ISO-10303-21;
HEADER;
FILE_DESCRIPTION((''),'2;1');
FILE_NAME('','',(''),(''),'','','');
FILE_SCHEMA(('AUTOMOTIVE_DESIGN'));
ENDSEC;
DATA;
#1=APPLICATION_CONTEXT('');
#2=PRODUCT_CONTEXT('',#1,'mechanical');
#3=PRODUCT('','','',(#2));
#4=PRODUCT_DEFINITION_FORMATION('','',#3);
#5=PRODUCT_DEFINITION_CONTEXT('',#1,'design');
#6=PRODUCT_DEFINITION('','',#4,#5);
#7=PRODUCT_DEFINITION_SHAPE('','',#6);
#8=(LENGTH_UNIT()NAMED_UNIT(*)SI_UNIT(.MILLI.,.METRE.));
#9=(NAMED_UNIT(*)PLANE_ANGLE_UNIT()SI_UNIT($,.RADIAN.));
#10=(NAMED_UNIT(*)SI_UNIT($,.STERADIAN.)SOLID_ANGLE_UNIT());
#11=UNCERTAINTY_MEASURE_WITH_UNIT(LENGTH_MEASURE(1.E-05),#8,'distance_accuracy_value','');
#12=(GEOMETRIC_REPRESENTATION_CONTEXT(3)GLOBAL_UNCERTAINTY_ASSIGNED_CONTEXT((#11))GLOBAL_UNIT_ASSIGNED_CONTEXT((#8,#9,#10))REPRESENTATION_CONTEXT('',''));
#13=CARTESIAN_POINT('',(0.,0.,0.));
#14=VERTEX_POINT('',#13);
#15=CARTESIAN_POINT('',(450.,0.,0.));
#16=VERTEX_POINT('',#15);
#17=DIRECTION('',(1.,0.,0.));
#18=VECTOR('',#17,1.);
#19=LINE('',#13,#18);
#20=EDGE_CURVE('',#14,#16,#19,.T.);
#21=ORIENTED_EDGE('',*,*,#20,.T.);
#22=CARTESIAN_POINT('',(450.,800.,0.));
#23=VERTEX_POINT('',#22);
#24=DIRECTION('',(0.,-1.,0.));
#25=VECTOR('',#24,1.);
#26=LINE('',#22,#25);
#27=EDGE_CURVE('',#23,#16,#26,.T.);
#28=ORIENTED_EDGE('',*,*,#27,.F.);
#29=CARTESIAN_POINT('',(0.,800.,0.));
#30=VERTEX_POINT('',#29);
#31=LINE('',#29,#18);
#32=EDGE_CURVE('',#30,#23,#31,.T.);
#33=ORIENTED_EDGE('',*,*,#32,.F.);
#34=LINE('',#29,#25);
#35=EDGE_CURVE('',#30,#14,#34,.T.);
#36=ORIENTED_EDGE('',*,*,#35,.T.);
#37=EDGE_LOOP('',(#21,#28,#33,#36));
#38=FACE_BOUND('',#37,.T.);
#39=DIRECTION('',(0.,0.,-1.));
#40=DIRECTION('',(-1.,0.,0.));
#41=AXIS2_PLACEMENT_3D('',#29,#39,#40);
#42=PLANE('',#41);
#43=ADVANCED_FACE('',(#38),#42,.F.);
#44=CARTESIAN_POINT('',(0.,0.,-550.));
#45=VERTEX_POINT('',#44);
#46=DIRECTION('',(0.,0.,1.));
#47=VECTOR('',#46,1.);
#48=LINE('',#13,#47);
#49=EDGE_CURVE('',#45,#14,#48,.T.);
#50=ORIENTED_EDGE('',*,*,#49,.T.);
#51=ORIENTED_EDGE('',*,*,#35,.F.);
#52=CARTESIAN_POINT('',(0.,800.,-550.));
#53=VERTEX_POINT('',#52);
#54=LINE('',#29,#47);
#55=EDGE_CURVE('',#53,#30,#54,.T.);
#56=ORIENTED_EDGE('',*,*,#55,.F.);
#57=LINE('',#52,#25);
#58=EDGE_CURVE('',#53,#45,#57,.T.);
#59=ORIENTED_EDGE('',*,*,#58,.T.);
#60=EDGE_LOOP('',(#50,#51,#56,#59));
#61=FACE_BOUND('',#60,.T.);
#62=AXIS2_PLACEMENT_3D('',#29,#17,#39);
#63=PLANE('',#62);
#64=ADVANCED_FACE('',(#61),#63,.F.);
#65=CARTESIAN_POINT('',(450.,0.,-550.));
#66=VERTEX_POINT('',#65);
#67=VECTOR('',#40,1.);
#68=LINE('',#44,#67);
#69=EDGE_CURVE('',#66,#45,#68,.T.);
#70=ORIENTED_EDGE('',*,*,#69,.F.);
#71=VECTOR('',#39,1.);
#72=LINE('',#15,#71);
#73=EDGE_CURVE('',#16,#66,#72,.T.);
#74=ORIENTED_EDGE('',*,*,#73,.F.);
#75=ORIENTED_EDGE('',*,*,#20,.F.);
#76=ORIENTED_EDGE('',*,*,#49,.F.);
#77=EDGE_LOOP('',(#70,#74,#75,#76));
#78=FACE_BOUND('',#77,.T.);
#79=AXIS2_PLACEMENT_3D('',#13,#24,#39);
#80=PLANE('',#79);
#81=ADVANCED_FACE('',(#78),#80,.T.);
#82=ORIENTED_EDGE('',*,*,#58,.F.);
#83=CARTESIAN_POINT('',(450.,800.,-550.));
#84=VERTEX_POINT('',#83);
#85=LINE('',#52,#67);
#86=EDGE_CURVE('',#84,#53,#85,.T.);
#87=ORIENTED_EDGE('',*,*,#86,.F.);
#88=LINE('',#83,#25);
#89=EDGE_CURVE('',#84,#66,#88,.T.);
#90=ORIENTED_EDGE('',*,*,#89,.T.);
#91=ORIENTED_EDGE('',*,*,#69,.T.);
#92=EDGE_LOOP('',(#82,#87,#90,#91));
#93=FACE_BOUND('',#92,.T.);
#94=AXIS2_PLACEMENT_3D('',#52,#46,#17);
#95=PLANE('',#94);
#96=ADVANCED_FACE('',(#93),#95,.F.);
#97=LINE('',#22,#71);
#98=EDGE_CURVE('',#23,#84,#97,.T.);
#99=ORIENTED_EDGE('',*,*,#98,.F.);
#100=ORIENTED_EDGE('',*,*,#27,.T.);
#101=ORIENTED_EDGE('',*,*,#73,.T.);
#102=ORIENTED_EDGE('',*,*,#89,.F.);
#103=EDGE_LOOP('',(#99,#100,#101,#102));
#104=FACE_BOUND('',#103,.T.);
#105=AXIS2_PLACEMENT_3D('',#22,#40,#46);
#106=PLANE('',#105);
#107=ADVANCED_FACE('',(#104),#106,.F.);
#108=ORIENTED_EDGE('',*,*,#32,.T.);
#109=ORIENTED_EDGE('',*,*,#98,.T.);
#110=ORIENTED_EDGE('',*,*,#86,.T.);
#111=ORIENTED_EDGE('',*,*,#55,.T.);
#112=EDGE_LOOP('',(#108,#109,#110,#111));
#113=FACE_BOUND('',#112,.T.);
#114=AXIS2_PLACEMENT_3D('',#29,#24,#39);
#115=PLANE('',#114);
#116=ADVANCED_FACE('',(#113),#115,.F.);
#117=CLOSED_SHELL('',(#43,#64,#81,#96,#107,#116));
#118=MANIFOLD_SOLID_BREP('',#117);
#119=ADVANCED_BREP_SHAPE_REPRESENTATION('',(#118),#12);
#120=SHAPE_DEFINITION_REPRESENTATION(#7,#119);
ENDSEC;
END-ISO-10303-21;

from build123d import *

# Parameters (mm, degrees)
SKETCH_1_W      = 450
SKETCH_1_H      = 550
EXTRUDE_1_DEPTH = 800


with BuildPart() as part:
    # Эскиз1 → Бобышка-Вытянуть1 (new body)
    with BuildSketch(Plane(origin=(0, 0, 0), x_dir=(1, 0, 0), z_dir=(0, 1, 0))):
        with Locations((225, 275)):
            Rectangle(SKETCH_1_W, SKETCH_1_H)
    extrude(amount=EXTRUDE_1_DEPTH)


solid = part.part
